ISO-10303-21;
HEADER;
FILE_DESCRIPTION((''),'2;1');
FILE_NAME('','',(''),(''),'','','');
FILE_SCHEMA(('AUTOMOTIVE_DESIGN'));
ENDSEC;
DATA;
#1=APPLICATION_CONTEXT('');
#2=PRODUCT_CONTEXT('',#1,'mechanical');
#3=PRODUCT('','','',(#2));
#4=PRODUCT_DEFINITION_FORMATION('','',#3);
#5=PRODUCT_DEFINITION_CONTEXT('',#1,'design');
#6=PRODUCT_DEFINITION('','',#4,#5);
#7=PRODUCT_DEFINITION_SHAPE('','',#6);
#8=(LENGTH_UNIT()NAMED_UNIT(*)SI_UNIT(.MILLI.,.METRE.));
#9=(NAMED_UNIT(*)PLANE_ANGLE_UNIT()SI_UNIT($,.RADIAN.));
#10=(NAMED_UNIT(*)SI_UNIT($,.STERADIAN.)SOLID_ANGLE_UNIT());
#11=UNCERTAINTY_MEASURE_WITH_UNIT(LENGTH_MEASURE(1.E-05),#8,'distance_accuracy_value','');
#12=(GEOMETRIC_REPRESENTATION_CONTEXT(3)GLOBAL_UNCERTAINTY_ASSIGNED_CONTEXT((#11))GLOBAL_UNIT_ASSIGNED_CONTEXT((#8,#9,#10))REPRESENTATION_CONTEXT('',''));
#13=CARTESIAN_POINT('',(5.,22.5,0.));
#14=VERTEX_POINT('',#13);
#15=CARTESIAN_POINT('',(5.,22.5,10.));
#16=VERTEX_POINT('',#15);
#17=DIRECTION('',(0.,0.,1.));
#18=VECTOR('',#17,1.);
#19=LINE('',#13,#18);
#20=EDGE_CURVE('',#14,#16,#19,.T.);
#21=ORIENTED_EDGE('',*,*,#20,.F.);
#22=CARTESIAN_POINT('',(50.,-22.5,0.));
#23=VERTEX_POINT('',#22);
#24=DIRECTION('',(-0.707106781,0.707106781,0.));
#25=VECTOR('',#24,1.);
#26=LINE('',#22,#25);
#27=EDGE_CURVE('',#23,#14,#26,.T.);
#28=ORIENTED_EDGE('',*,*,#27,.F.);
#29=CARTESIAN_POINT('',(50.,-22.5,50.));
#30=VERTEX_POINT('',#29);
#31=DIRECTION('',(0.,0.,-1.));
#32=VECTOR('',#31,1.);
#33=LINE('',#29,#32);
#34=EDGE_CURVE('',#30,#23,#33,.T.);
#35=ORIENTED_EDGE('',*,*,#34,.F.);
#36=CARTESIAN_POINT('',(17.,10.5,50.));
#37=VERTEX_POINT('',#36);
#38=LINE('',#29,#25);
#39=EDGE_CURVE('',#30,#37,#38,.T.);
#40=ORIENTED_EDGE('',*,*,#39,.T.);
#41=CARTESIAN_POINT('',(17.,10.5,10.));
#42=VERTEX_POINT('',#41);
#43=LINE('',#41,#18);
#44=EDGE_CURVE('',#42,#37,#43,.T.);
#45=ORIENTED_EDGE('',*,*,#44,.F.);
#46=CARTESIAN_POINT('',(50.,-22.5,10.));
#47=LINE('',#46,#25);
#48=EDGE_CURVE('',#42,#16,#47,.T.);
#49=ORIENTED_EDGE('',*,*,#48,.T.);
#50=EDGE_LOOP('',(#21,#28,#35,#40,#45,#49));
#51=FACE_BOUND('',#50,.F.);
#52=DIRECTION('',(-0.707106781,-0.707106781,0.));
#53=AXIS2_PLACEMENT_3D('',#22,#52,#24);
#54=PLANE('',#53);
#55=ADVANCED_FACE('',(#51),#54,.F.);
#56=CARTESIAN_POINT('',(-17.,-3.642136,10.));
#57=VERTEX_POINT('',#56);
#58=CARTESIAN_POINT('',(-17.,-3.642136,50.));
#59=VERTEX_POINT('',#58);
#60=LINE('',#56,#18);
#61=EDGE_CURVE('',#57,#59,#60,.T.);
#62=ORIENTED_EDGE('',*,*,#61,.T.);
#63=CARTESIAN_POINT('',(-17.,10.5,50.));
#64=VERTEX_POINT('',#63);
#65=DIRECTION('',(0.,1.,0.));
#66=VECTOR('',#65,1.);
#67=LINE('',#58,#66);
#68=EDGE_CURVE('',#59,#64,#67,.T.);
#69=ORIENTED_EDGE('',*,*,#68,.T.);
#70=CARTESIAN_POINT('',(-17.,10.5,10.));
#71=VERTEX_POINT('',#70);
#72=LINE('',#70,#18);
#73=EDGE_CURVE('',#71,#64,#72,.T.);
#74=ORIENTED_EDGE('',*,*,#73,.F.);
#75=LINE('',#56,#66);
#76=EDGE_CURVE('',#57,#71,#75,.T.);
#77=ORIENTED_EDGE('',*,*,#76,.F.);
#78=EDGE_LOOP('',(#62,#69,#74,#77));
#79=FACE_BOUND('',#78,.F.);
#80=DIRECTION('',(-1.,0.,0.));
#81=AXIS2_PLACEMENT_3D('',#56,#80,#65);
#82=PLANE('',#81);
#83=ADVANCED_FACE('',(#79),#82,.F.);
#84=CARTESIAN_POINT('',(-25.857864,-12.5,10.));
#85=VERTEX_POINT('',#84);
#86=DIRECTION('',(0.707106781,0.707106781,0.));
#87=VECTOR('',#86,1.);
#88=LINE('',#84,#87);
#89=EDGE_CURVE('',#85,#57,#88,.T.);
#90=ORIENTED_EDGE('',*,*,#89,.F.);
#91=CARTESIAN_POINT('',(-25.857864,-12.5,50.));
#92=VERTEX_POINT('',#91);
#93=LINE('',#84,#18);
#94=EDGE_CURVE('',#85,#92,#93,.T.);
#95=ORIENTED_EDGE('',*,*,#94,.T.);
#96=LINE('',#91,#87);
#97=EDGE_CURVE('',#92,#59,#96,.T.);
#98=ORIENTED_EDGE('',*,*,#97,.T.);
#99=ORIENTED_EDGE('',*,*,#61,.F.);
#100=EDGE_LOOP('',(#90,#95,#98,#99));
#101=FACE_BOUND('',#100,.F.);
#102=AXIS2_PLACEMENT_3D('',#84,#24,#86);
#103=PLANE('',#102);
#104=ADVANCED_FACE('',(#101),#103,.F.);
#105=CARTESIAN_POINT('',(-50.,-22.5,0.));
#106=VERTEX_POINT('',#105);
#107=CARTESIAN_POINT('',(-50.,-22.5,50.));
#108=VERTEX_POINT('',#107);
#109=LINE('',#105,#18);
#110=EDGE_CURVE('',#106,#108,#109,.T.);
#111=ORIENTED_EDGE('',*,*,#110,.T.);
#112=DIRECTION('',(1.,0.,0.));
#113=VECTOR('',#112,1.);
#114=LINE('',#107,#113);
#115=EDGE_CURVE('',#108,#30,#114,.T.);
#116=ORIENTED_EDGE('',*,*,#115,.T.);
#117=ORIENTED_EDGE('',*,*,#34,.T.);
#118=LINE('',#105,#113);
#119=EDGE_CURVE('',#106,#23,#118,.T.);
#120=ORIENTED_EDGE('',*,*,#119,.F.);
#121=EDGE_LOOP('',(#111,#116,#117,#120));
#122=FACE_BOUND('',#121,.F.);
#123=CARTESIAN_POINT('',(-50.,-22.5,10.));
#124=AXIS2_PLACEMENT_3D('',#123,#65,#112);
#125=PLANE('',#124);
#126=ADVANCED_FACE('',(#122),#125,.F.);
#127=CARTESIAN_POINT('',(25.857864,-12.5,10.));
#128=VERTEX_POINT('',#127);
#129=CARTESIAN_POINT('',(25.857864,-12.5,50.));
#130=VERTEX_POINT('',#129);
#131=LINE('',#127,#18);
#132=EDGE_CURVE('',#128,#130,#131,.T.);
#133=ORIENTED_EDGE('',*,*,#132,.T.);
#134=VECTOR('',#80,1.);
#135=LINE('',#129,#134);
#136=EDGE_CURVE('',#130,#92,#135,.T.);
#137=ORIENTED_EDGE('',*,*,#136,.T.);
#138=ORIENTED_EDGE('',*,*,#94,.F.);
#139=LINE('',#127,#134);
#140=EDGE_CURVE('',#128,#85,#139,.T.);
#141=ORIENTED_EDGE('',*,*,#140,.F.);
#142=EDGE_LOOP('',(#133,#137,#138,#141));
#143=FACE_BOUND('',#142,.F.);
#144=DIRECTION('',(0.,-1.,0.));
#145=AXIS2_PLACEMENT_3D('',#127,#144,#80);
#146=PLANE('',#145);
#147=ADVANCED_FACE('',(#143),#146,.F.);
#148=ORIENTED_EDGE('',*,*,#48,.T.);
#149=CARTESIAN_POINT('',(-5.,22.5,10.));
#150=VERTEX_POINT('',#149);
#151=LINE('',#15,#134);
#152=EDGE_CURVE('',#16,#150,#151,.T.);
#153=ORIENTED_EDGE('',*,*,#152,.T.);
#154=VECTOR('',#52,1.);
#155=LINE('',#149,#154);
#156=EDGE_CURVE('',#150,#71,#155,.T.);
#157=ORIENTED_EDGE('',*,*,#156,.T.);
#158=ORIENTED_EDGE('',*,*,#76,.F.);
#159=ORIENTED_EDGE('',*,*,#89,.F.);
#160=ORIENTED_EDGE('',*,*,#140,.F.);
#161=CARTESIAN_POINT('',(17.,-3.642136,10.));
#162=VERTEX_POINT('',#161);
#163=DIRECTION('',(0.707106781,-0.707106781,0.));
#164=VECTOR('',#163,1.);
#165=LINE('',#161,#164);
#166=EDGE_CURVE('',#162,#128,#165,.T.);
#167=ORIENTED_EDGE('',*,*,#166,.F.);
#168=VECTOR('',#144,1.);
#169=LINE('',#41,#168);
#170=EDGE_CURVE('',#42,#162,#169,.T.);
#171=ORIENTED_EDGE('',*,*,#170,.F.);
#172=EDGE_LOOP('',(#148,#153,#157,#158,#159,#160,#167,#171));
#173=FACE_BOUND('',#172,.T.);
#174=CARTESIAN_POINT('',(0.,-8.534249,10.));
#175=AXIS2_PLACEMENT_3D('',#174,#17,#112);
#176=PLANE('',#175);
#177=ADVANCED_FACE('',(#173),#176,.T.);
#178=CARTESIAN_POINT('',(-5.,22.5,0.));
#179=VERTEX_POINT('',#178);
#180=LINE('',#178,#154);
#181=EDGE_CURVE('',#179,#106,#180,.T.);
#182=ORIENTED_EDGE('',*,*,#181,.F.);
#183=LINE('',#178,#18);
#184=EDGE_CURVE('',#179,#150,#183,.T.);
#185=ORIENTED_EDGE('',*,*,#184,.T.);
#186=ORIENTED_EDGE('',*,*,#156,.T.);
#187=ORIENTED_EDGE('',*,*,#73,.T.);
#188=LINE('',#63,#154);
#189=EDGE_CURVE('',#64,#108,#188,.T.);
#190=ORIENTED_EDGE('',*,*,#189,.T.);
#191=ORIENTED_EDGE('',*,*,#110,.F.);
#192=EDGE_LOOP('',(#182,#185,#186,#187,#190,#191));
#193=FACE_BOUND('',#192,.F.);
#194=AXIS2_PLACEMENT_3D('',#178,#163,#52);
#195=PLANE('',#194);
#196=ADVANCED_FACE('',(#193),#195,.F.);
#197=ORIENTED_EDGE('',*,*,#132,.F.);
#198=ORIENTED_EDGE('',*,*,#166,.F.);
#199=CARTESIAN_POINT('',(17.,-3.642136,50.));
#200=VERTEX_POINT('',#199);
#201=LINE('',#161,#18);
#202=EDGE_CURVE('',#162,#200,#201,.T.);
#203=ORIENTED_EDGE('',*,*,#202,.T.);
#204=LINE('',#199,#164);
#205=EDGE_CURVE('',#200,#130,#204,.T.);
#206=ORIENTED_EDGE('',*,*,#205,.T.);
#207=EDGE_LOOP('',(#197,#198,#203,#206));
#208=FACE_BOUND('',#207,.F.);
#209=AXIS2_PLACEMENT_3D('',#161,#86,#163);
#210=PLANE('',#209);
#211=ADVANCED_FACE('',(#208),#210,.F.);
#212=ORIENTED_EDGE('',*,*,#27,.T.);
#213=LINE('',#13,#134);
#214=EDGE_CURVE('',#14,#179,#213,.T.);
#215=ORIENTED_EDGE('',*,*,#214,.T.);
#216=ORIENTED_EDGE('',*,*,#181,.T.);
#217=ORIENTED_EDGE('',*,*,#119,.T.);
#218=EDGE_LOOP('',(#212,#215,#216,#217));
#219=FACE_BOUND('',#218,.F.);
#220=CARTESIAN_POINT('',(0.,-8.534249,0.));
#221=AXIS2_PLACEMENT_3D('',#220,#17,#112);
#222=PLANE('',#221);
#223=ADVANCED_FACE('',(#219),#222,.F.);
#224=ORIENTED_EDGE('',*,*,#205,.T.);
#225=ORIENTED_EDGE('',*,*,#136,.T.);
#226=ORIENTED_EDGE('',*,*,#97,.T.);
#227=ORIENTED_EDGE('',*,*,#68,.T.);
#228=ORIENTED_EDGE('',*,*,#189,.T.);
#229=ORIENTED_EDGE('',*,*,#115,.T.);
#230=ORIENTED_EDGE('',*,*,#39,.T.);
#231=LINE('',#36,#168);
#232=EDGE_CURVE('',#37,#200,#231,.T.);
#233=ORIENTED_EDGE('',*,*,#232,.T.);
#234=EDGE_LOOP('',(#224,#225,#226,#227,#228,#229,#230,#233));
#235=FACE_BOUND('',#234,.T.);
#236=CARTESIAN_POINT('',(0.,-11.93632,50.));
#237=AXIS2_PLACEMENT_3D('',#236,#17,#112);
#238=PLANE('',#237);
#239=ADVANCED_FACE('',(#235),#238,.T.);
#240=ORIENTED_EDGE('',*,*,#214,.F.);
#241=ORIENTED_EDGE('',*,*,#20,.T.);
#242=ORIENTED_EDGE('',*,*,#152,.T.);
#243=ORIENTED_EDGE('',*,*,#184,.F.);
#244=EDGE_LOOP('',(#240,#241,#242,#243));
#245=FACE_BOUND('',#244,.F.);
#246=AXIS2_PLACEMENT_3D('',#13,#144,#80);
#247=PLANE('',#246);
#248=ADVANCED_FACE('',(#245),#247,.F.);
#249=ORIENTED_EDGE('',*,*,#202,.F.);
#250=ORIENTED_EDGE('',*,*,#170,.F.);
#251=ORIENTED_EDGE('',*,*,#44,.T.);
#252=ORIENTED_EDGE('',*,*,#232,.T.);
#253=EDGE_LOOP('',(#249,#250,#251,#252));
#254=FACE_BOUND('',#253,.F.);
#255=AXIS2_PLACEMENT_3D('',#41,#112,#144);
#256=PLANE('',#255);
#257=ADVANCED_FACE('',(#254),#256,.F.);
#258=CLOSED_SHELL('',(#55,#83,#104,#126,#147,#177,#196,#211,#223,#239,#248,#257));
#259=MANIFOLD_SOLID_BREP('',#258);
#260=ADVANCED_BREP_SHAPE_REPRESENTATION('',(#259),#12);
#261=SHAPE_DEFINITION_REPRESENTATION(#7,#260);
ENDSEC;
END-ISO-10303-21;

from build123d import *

# Parameters (mm, degrees)
F1_DEPTH = 10
F3_DEPTH = 40


with BuildPart() as f1:
    # F0 (on Top) → F1 (new body)
    with BuildSketch(Plane.XY):
        Polygon((-5, 22.5), (-50, -22.5), (50, -22.5), (5, 22.5), align=None)
    extrude(amount=F1_DEPTH)

    # F2 (on face) → F3 (join)
    with BuildSketch(Plane.XY.offset(10)):
        Polygon((25.857864, -12.5), (-25.857864, -12.5), (-17, -3.642136), (-17, 10.5), (-50, -22.5), (50, -22.5), (17, 10.5), (17, -3.642136), align=None)
    extrude(amount=F3_DEPTH)


solid = f1.part
